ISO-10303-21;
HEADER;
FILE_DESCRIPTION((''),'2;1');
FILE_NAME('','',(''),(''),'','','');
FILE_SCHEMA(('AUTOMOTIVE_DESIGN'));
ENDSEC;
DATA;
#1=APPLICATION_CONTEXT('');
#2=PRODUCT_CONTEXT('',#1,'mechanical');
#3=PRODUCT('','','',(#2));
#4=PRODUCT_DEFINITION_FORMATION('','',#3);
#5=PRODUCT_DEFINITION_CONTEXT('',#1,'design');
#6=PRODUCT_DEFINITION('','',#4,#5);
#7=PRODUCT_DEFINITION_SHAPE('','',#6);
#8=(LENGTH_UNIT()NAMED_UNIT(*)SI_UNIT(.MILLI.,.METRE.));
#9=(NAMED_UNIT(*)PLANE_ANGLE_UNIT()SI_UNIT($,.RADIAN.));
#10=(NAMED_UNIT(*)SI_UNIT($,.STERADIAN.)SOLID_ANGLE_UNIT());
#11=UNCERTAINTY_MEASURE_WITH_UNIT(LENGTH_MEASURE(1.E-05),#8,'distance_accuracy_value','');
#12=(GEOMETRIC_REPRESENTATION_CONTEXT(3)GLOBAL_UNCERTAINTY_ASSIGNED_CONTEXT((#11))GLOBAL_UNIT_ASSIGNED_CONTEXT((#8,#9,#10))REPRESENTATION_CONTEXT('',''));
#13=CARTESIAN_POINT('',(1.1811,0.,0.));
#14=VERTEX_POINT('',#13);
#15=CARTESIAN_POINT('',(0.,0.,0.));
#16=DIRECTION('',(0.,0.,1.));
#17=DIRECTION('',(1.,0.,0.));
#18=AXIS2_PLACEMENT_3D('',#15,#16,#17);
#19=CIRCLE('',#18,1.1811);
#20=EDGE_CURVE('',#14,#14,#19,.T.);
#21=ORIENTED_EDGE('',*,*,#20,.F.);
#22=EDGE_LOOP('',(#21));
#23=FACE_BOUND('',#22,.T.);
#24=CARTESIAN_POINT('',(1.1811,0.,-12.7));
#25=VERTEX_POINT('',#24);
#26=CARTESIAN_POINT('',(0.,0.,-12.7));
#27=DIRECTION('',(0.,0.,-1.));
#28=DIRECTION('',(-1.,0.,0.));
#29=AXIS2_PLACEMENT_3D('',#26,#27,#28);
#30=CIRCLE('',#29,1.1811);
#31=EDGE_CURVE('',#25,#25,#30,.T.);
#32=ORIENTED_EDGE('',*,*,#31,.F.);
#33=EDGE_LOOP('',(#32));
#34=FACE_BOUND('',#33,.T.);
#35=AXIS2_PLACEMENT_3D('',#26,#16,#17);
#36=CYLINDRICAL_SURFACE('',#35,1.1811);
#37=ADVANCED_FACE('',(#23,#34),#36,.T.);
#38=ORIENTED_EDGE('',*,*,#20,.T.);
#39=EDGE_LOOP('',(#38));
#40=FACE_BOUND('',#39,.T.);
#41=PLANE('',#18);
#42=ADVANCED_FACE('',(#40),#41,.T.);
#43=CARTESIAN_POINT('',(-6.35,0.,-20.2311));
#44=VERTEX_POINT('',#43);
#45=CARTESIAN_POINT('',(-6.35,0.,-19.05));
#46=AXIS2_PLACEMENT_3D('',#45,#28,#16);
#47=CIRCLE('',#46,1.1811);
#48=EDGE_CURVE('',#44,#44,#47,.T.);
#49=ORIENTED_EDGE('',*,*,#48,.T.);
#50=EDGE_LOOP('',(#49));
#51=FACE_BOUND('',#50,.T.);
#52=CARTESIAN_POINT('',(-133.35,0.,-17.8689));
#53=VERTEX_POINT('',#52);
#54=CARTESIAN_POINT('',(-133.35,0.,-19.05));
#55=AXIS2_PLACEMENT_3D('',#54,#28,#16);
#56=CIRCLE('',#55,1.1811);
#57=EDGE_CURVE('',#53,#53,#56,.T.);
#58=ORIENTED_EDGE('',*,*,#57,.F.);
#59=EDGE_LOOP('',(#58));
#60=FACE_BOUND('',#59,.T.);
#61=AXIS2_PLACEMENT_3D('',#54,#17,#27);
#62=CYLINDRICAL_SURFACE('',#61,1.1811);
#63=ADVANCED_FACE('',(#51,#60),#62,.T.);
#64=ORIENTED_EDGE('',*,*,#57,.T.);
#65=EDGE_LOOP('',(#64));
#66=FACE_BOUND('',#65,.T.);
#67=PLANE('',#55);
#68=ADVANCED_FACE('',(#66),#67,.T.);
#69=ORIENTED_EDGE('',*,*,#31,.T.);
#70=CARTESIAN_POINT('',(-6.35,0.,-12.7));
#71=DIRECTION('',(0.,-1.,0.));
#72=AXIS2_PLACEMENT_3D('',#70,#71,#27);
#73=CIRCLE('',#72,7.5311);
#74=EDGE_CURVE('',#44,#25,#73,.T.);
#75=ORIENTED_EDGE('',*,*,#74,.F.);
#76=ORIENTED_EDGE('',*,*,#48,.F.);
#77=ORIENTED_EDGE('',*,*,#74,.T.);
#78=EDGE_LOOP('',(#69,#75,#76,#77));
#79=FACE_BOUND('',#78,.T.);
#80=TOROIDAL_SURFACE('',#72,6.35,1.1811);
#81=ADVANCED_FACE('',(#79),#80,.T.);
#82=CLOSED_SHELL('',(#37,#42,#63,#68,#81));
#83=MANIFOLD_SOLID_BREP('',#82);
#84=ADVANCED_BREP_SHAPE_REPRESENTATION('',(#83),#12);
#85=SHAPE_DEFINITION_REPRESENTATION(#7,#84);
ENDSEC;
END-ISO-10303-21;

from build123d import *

# Parameters (mm, degrees)
SKETCH1_R           = 1.1811
RODEND_DEPTH        = 12.7
SKETCH4_R           = 1.1811
REVOLVE1_ANGLE      = 90
SKETCH5_R           = 1.1811
BOSS_EXTRUDE1_DEPTH = 127


with BuildPart() as part:
    # Sketch1 → RodEnd (new body)
    with BuildSketch(Plane.XY):
        Circle(SKETCH1_R)
    extrude(amount=-RODEND_DEPTH)

    # Sketch4 → Revolve1 (revolve)
    with BuildSketch(Plane(origin=(0, 0, -12.7), x_dir=(-1, 0, 0), z_dir=(0, 0, -1))):
        with Locations(Location((0, 0, 0), (0, 0, 180))):
            Circle(SKETCH4_R)
    revolve(axis=Axis((-6.35, 0, -12.7), (0, 1, 0)), revolution_arc=REVOLVE1_ANGLE)

    # Sketch5 → Boss-Extrude1 (add)
    with BuildSketch(Plane.ZY.offset(6.35)):
        with Locations(Location((-19.05, 0, 0), (0, 0, 180))):
            Circle(SKETCH5_R)
    extrude(amount=BOSS_EXTRUDE1_DEPTH)


solid = part.part
